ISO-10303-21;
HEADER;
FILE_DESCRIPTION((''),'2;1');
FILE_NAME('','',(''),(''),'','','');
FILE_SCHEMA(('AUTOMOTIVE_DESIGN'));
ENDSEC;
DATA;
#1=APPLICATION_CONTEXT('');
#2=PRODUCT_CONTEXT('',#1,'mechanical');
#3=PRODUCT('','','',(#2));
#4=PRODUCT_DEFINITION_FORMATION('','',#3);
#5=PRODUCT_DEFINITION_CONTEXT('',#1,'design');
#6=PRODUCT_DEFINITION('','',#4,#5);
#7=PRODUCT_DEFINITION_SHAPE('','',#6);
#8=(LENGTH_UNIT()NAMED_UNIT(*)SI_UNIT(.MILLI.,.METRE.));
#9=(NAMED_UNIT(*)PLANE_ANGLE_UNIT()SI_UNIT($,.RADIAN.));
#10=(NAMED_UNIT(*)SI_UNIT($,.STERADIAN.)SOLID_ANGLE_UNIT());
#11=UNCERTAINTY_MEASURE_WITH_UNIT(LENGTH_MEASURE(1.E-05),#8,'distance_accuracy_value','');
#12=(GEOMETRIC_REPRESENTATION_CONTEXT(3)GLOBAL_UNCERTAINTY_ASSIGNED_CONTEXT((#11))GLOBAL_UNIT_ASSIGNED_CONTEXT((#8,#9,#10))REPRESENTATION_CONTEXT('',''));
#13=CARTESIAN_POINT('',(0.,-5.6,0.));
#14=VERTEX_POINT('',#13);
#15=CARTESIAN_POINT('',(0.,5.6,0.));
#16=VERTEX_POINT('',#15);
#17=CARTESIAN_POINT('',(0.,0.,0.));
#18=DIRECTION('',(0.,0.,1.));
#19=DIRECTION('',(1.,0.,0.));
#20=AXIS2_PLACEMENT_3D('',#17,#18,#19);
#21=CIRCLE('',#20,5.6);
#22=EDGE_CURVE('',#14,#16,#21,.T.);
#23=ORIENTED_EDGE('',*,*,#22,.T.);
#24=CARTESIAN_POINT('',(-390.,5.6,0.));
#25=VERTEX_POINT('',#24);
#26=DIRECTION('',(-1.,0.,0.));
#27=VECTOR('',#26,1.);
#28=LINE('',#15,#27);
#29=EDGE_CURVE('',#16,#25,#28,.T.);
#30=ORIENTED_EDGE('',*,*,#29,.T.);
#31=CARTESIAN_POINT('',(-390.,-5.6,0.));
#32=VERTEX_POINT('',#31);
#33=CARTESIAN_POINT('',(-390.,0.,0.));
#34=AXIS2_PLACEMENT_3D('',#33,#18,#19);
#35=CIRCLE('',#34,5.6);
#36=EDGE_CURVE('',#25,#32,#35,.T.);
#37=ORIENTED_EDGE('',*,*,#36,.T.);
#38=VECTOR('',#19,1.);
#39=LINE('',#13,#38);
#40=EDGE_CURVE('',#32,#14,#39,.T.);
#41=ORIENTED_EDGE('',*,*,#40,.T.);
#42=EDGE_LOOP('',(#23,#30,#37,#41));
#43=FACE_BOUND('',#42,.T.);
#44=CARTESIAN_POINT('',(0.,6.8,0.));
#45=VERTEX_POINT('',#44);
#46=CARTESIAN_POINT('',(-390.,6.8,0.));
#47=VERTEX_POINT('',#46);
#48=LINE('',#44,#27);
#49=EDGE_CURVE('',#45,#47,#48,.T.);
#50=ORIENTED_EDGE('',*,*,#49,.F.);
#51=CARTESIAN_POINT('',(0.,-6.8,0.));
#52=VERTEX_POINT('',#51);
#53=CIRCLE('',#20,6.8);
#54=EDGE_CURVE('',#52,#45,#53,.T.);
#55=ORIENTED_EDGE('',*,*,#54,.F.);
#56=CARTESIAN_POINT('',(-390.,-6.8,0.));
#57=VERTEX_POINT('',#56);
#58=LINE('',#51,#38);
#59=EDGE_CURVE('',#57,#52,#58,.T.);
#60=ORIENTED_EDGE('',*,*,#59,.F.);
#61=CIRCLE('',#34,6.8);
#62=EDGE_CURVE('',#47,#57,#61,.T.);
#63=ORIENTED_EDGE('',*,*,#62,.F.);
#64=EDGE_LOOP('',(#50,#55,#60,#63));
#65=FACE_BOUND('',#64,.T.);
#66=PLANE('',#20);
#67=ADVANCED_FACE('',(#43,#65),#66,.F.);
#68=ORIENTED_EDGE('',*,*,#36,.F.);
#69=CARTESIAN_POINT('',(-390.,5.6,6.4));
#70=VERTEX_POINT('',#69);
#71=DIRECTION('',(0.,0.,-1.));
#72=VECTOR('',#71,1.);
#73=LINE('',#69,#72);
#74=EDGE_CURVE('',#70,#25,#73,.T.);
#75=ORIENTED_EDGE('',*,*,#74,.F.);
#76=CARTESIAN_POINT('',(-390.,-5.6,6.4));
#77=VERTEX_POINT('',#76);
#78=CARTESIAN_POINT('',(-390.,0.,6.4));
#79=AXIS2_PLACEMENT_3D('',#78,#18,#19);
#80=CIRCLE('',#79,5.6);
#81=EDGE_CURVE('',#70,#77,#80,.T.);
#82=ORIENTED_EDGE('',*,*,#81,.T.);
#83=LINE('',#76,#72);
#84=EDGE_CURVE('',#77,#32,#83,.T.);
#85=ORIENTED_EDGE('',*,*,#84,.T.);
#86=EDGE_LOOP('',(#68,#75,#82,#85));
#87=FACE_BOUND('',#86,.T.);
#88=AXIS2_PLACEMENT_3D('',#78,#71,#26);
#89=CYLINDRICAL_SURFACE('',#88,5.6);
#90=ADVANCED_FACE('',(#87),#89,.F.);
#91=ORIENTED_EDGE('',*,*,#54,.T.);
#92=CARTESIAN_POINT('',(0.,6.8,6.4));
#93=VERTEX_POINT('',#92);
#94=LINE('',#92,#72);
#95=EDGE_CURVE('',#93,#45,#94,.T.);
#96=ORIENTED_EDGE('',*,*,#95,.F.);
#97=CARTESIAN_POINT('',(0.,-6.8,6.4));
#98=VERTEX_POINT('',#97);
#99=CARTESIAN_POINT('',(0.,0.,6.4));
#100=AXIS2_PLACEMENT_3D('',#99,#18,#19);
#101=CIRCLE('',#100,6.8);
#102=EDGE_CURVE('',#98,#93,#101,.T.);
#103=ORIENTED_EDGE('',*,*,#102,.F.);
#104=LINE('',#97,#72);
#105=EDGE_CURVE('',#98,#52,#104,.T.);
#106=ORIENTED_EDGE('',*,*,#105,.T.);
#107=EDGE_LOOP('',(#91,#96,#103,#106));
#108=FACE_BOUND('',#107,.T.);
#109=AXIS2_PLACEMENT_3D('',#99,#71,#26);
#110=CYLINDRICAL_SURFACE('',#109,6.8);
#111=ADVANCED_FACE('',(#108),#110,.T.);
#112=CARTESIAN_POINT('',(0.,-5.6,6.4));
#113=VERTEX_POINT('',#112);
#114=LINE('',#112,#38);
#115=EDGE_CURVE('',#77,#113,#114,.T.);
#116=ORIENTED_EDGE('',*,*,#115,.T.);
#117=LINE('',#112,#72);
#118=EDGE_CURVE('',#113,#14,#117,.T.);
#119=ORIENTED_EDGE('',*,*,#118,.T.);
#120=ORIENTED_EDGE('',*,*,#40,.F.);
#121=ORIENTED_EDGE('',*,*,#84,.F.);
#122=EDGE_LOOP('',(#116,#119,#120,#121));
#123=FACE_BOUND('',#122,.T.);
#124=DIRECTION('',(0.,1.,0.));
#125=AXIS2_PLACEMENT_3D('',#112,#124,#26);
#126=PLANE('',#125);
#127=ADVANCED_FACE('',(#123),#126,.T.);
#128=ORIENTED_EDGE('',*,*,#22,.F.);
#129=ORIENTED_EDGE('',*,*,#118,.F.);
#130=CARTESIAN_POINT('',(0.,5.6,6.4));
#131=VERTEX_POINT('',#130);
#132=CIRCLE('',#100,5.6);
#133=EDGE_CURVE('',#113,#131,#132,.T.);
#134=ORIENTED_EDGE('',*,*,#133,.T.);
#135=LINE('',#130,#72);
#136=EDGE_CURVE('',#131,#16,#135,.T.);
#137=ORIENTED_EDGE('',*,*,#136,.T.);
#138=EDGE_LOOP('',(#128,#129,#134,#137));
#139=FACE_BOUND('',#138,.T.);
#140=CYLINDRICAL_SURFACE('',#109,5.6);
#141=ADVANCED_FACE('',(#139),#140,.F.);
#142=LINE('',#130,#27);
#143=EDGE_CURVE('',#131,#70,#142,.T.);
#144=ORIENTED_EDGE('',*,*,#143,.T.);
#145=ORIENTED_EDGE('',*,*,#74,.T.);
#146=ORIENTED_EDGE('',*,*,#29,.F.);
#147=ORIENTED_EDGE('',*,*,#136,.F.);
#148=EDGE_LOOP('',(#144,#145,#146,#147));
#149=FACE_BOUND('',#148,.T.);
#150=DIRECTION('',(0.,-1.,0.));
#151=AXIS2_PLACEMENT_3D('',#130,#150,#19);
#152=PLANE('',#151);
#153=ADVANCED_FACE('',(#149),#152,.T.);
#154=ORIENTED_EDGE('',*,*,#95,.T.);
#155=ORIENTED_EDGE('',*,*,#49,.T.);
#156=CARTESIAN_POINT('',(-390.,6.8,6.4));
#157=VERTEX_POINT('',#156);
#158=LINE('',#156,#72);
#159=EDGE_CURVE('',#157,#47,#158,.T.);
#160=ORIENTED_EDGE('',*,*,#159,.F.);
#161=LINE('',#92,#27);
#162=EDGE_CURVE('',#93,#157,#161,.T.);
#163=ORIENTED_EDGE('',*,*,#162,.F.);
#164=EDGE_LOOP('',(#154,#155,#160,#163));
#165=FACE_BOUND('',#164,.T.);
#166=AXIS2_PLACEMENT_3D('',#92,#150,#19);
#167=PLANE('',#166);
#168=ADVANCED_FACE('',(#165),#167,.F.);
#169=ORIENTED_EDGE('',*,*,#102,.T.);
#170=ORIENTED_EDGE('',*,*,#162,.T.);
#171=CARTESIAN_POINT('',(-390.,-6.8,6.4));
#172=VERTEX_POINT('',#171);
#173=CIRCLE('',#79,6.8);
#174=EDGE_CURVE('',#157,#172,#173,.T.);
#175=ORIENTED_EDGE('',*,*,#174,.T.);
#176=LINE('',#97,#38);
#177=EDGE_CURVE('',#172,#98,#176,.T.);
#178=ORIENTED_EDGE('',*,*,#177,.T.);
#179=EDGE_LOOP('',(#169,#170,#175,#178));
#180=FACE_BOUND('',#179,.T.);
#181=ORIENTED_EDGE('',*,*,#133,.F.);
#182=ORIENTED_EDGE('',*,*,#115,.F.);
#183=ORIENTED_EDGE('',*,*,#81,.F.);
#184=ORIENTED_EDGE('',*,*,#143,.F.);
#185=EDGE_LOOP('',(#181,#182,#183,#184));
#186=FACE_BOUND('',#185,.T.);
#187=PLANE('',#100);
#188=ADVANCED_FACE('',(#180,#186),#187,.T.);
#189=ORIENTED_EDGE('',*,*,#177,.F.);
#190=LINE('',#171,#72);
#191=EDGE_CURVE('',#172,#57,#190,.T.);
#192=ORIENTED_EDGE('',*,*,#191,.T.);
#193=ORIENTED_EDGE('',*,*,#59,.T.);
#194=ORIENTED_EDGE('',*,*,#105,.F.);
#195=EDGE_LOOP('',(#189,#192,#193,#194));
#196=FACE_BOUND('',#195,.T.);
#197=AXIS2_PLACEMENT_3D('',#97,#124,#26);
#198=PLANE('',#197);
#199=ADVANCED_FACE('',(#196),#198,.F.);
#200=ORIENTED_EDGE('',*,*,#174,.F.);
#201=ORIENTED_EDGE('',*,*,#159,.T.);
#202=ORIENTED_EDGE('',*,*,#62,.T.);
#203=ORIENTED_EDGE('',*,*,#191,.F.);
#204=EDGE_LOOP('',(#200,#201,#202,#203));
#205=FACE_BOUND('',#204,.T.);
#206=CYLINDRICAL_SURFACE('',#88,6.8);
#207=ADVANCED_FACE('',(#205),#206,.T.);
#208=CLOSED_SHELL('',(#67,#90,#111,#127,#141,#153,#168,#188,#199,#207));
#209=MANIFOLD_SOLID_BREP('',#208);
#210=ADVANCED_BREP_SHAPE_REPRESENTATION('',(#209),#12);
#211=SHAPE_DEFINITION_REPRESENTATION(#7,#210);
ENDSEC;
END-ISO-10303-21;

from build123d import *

# Parameters (mm, degrees)
ESTRUSIONE_ESTRUSIONE1_DEPTH = 6.4


with BuildPart() as part:
    # Schizzo1 → Estrusione-Estrusione1 (new body)
    with BuildSketch(Plane.XY):
        with BuildLine():
            Line((0, -6.8), (-390, -6.8))
            ThreePointArc((-390, -6.8), (-396.8, 0), (-390, 6.8))
            Line((-390, 6.8), (0, 6.8))
            ThreePointArc((0, 6.8), (6.8, 0), (0, -6.8))
        make_face()
        with BuildLine():
            Line((0, -5.6), (-390, -5.6))
            ThreePointArc((-390, -5.6), (-395.6, 0), (-390, 5.6))
            Line((-390, 5.6), (0, 5.6))
            ThreePointArc((0, 5.6), (5.6, 0), (0, -5.6))
        make_face(mode=Mode.SUBTRACT)
    extrude(amount=ESTRUSIONE_ESTRUSIONE1_DEPTH)


solid = part.part
